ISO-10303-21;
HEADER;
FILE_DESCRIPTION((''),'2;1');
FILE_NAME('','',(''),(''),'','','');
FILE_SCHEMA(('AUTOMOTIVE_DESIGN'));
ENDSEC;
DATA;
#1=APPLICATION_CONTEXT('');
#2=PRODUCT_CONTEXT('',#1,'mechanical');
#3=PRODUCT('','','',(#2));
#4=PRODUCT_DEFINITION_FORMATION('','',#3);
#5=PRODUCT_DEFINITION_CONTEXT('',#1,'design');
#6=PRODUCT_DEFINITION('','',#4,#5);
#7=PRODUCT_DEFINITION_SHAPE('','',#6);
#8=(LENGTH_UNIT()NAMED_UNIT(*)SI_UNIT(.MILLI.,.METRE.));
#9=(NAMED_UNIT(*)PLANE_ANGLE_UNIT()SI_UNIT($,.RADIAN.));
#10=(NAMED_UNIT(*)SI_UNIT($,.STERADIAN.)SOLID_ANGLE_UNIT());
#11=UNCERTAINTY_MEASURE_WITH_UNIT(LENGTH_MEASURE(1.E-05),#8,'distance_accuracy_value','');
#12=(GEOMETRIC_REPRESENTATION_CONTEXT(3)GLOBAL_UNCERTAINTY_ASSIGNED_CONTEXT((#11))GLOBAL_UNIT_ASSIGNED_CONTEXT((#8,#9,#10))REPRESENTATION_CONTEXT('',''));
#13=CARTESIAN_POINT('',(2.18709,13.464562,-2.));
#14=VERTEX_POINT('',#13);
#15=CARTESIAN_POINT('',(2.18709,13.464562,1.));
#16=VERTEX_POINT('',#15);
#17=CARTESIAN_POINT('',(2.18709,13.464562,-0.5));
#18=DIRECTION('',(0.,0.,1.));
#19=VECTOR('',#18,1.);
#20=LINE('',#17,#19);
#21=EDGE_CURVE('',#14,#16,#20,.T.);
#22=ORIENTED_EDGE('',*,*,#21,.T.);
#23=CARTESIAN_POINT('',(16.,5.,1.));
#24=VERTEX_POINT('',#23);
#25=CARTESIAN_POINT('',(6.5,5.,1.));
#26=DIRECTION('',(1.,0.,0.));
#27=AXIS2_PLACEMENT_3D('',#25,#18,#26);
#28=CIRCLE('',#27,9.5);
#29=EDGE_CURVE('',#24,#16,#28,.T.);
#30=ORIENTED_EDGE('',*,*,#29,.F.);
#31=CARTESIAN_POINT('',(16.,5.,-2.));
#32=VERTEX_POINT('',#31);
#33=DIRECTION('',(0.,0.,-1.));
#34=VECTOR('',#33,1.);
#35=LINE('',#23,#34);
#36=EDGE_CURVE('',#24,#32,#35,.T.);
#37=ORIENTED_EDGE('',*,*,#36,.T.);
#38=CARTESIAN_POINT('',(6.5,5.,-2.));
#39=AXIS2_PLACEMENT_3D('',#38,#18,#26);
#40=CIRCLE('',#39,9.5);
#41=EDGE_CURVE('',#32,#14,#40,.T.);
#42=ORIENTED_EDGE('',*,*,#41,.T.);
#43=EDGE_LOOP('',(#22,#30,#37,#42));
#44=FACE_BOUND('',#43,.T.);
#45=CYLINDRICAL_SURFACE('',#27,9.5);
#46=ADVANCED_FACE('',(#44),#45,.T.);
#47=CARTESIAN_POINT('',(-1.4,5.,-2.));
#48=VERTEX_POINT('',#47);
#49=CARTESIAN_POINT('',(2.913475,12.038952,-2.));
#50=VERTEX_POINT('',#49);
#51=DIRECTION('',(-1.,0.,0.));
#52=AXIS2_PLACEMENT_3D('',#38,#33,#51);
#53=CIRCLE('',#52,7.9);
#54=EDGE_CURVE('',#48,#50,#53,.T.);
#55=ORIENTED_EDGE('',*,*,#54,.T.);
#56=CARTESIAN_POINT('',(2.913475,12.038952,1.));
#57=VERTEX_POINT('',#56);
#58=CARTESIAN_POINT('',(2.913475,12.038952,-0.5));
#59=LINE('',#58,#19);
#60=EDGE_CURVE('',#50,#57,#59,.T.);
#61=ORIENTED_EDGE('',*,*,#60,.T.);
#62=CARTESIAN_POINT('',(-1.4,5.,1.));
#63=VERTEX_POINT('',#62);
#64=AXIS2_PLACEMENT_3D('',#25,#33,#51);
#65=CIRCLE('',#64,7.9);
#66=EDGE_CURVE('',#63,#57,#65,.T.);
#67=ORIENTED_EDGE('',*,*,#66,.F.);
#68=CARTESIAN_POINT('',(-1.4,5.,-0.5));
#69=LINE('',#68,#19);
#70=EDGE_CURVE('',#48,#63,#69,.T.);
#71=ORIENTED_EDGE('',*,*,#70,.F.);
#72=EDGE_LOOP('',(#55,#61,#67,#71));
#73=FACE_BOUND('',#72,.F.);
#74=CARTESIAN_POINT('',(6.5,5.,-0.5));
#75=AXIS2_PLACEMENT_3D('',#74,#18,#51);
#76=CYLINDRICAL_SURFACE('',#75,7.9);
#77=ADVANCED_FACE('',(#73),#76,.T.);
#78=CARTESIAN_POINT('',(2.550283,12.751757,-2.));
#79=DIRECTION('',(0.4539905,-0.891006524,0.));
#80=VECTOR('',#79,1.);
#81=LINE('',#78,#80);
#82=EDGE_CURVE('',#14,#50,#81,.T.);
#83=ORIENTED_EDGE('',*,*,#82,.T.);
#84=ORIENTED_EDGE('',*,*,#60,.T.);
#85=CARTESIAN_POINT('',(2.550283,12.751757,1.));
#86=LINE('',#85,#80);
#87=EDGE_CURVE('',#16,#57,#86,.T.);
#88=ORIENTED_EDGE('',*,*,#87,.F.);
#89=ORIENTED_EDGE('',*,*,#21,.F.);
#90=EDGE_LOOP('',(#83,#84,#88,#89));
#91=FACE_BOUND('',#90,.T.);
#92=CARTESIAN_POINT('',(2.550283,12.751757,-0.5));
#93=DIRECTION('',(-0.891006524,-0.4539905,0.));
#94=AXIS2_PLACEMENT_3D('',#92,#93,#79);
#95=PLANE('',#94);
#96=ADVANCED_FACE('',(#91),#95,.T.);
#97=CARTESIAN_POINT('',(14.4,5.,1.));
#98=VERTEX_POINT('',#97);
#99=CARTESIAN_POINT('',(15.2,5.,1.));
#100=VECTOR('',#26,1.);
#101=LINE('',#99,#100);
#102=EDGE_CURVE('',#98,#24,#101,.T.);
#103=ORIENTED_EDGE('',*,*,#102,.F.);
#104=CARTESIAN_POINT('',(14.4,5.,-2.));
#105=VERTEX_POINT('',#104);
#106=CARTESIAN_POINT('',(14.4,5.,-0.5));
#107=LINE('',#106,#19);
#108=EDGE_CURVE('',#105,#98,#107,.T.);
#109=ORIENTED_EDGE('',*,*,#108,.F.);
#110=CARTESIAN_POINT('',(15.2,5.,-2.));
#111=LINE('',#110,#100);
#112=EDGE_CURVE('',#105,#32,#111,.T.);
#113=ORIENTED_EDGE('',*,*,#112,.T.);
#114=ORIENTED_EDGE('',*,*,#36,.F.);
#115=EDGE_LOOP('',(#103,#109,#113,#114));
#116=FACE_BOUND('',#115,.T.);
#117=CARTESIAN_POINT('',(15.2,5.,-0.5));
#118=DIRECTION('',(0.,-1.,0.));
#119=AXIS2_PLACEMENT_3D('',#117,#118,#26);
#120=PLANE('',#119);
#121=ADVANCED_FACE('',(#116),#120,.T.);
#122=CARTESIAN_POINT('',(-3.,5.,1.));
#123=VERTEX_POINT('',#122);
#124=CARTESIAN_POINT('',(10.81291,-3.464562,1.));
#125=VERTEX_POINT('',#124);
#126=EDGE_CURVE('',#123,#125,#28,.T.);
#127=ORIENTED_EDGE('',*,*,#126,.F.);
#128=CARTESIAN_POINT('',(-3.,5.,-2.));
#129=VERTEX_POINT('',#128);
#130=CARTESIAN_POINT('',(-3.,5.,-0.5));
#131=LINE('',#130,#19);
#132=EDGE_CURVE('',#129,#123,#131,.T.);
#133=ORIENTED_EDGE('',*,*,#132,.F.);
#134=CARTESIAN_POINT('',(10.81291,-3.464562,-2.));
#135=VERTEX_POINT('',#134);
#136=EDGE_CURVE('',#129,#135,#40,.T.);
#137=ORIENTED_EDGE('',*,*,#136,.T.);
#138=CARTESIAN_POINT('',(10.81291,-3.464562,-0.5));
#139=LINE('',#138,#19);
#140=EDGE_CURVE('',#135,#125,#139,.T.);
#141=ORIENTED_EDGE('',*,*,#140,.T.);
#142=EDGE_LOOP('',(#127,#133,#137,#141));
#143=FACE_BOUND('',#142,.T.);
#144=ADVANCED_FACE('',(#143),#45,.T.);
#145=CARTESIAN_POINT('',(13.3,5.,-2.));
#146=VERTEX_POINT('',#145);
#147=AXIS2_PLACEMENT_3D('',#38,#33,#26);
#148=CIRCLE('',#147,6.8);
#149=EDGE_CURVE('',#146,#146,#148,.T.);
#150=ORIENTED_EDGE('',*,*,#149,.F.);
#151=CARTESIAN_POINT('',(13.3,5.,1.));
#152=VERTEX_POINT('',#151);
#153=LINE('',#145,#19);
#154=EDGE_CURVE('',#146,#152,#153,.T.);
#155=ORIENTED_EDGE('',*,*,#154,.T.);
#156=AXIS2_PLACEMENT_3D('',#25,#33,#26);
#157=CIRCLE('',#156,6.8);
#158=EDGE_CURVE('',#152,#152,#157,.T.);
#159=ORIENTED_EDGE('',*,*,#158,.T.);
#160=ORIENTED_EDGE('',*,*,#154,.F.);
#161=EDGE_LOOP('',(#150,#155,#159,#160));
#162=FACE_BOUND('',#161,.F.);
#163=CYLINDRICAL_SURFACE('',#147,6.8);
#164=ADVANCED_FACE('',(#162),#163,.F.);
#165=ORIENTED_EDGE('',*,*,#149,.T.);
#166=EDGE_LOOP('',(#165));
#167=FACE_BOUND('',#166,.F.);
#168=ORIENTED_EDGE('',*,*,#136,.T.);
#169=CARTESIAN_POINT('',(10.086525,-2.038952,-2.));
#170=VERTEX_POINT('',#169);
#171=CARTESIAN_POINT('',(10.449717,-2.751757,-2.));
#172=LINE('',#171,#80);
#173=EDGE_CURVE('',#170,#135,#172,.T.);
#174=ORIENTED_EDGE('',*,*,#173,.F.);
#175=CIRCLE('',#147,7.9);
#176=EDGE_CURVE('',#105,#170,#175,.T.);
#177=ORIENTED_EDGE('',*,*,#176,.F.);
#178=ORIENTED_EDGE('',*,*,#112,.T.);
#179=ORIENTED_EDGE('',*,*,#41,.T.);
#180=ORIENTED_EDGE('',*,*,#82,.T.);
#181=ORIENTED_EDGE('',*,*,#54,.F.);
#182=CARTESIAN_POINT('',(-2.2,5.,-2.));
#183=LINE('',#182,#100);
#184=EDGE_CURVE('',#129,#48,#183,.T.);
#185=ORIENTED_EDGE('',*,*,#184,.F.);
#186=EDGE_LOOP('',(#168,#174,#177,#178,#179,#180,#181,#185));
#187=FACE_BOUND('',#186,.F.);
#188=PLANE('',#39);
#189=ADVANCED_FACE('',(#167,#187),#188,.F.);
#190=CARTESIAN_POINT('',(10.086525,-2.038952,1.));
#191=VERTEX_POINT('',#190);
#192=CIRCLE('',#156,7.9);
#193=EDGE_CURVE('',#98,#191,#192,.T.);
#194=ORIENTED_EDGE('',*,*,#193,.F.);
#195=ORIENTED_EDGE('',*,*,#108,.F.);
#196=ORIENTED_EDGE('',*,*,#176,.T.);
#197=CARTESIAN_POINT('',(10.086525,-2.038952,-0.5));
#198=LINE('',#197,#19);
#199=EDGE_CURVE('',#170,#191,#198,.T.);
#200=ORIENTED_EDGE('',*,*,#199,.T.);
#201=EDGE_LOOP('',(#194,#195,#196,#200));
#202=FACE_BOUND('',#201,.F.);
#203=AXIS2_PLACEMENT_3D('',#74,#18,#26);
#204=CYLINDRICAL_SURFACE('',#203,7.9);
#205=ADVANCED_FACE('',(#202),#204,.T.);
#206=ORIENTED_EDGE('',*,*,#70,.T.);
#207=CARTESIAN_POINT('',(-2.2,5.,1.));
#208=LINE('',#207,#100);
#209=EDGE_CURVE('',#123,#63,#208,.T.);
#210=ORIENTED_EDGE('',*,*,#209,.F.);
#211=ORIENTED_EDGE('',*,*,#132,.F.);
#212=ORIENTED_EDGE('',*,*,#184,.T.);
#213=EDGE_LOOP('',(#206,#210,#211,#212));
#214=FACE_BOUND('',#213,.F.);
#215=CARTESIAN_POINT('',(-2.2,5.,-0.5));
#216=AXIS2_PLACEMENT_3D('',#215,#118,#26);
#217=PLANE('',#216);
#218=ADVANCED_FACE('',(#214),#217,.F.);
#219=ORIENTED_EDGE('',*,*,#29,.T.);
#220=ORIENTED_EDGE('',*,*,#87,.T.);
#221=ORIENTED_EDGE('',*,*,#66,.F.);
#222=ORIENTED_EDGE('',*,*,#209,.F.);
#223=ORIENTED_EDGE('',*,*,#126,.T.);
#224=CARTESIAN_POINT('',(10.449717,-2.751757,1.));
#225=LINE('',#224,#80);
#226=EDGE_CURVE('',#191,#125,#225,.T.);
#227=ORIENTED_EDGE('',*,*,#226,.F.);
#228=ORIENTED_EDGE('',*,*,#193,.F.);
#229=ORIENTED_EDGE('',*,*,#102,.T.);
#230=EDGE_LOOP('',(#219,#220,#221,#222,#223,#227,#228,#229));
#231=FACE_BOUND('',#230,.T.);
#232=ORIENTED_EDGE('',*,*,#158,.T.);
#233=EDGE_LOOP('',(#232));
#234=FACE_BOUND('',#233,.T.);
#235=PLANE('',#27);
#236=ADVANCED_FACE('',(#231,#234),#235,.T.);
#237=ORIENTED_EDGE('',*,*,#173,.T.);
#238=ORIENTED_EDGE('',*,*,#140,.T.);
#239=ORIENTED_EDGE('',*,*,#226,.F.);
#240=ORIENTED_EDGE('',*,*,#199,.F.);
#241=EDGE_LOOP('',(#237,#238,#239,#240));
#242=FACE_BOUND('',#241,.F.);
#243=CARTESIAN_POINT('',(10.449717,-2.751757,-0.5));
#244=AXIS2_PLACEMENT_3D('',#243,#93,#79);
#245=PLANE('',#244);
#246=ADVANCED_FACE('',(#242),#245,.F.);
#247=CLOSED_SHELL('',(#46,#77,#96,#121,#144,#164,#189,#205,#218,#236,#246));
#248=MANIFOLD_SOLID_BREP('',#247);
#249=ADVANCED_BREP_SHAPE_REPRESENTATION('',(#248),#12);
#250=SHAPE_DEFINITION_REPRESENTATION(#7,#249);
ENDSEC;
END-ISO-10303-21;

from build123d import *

# Parameters (mm, degrees)
SKETCH009_R     = 9.5
PAD006_DEPTH    = 3
SKETCH010_R     = 6.8
POCKET003_DEPTH = 5
SKETCH013_W     = 1.6
SKETCH013_H     = 3
GROOVE_ANGLE    = -63
SKETCH014_W     = 1.6
SKETCH014_H     = 3
GROOVE001_ANGLE = -63


with BuildPart() as part:
    # Sketch009 → Pad006 (new body)
    with BuildSketch(Plane.XY.offset(1)):
        with Locations((6.5, 5)):
            Circle(SKETCH009_R)
    extrude(amount=-PAD006_DEPTH)

    # Sketch010 (on Face3 of Pad006) → Pocket003 (cut)
    with BuildSketch(Plane(origin=(0, 0, -2), x_dir=(1, 0, 0), z_dir=(0, 0, -1))):
        with Locations((6.5, -5)):
            Circle(SKETCH010_R)
    extrude(amount=-POCKET003_DEPTH, mode=Mode.SUBTRACT)

    # Sketch013 → Groove (revolve, cut)
    with BuildSketch(Plane(origin=(6.5, 5, 0), x_dir=(1, 0, 0), z_dir=(0, -1, 0))):
        with Locations((8.7, -0.5)):
            Rectangle(SKETCH013_W, SKETCH013_H)
    revolve(axis=Axis((6.5, 5, 0), (0, 0, 1)), revolution_arc=GROOVE_ANGLE, mode=Mode.SUBTRACT)

    # Sketch014 → Groove001 (revolve, cut)
    with BuildSketch(Plane(origin=(6.5, 5, 0), x_dir=(1, 0, 0), z_dir=(0, -1, 0))):
        with Locations((-8.7, -0.5)):
            Rectangle(SKETCH014_W, SKETCH014_H)
    revolve(axis=Axis((6.5, 5, 0), (0, 0, 1)), revolution_arc=GROOVE001_ANGLE, mode=Mode.SUBTRACT)


solid = part.part
